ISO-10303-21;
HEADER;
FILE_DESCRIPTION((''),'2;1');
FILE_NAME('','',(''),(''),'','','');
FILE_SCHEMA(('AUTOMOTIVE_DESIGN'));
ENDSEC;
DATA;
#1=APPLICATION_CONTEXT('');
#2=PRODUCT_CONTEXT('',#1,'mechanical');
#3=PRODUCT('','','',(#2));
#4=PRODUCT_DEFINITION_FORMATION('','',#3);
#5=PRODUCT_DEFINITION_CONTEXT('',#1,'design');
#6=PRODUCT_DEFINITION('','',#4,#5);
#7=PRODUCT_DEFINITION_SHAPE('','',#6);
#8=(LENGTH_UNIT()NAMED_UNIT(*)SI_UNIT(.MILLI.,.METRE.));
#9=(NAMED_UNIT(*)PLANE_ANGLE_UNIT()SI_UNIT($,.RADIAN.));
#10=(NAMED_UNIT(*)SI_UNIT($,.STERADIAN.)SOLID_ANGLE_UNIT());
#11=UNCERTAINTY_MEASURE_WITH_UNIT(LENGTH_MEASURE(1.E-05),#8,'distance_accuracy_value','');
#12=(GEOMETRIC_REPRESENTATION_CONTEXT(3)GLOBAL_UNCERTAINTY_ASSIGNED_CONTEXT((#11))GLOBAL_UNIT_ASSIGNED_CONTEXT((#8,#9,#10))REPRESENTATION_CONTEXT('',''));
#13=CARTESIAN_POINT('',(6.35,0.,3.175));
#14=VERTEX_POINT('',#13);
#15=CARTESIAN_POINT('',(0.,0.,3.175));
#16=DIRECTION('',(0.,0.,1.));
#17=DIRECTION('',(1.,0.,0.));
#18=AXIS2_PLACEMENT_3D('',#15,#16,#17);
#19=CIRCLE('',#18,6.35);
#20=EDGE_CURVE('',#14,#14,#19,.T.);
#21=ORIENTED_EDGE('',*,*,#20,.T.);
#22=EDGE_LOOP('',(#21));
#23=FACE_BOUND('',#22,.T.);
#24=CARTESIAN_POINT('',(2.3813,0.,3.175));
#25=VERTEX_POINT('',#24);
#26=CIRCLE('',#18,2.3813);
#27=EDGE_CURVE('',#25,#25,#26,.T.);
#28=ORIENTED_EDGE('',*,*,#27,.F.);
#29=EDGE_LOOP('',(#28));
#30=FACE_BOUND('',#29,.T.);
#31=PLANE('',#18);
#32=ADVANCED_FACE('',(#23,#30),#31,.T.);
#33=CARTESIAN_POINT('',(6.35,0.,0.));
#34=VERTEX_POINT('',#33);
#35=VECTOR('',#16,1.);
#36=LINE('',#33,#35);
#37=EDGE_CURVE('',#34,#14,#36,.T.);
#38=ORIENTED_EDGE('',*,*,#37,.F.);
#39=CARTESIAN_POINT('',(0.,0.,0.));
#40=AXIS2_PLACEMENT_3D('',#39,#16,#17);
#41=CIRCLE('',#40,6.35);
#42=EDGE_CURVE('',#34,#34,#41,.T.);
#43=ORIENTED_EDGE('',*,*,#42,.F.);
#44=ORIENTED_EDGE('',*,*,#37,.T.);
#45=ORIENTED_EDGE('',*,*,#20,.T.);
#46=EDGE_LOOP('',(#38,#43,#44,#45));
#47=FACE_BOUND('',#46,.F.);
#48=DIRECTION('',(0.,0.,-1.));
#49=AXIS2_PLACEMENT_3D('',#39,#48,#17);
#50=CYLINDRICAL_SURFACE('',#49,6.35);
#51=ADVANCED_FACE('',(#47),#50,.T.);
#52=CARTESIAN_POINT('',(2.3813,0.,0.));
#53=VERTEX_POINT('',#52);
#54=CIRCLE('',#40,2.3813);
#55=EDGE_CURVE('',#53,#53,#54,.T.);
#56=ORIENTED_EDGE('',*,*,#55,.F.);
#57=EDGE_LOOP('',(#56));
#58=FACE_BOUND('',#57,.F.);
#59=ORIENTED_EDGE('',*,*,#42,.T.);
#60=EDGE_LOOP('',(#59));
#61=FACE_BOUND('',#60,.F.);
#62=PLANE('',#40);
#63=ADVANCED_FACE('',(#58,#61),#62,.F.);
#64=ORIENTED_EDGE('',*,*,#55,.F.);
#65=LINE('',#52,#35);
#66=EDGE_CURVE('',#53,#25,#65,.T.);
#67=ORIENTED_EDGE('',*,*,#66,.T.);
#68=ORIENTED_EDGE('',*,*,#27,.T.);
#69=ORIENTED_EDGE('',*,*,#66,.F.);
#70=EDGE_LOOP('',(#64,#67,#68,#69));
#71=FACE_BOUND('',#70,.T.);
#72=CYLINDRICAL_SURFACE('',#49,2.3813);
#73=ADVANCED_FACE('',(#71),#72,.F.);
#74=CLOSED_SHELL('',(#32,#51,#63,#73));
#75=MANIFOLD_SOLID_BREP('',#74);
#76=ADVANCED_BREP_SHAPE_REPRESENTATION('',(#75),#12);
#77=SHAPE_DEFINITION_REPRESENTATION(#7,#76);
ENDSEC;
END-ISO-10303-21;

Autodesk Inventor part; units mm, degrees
ref_plane "YZ Plane" through (0, 0, 0) normal (1, 0, 0) x (0, 1, 0)
ref_plane "XZ Plane" through (0, 0, 0) normal (0, 1, 0) x (-1, 0, 0)
ref_plane "XY Plane" through (0, 0, 0) normal (0, 0, 1) x (1, 0, 0)
sketch "Sketch1" plane through (0, 0, 0) normal (0, 0, 1) x (1, 0, 0)
  circle A0 centre (0, 0) radius 2.3813
  circle A1 centre (0, 0) radius 6.35
  dimension "d0" = 12.7
  dimension "d1" = 4.7625
extrude "Extrusion1" add sketch "Sketch1" along normal blind 3.175
properties part number "R3_bearing"
